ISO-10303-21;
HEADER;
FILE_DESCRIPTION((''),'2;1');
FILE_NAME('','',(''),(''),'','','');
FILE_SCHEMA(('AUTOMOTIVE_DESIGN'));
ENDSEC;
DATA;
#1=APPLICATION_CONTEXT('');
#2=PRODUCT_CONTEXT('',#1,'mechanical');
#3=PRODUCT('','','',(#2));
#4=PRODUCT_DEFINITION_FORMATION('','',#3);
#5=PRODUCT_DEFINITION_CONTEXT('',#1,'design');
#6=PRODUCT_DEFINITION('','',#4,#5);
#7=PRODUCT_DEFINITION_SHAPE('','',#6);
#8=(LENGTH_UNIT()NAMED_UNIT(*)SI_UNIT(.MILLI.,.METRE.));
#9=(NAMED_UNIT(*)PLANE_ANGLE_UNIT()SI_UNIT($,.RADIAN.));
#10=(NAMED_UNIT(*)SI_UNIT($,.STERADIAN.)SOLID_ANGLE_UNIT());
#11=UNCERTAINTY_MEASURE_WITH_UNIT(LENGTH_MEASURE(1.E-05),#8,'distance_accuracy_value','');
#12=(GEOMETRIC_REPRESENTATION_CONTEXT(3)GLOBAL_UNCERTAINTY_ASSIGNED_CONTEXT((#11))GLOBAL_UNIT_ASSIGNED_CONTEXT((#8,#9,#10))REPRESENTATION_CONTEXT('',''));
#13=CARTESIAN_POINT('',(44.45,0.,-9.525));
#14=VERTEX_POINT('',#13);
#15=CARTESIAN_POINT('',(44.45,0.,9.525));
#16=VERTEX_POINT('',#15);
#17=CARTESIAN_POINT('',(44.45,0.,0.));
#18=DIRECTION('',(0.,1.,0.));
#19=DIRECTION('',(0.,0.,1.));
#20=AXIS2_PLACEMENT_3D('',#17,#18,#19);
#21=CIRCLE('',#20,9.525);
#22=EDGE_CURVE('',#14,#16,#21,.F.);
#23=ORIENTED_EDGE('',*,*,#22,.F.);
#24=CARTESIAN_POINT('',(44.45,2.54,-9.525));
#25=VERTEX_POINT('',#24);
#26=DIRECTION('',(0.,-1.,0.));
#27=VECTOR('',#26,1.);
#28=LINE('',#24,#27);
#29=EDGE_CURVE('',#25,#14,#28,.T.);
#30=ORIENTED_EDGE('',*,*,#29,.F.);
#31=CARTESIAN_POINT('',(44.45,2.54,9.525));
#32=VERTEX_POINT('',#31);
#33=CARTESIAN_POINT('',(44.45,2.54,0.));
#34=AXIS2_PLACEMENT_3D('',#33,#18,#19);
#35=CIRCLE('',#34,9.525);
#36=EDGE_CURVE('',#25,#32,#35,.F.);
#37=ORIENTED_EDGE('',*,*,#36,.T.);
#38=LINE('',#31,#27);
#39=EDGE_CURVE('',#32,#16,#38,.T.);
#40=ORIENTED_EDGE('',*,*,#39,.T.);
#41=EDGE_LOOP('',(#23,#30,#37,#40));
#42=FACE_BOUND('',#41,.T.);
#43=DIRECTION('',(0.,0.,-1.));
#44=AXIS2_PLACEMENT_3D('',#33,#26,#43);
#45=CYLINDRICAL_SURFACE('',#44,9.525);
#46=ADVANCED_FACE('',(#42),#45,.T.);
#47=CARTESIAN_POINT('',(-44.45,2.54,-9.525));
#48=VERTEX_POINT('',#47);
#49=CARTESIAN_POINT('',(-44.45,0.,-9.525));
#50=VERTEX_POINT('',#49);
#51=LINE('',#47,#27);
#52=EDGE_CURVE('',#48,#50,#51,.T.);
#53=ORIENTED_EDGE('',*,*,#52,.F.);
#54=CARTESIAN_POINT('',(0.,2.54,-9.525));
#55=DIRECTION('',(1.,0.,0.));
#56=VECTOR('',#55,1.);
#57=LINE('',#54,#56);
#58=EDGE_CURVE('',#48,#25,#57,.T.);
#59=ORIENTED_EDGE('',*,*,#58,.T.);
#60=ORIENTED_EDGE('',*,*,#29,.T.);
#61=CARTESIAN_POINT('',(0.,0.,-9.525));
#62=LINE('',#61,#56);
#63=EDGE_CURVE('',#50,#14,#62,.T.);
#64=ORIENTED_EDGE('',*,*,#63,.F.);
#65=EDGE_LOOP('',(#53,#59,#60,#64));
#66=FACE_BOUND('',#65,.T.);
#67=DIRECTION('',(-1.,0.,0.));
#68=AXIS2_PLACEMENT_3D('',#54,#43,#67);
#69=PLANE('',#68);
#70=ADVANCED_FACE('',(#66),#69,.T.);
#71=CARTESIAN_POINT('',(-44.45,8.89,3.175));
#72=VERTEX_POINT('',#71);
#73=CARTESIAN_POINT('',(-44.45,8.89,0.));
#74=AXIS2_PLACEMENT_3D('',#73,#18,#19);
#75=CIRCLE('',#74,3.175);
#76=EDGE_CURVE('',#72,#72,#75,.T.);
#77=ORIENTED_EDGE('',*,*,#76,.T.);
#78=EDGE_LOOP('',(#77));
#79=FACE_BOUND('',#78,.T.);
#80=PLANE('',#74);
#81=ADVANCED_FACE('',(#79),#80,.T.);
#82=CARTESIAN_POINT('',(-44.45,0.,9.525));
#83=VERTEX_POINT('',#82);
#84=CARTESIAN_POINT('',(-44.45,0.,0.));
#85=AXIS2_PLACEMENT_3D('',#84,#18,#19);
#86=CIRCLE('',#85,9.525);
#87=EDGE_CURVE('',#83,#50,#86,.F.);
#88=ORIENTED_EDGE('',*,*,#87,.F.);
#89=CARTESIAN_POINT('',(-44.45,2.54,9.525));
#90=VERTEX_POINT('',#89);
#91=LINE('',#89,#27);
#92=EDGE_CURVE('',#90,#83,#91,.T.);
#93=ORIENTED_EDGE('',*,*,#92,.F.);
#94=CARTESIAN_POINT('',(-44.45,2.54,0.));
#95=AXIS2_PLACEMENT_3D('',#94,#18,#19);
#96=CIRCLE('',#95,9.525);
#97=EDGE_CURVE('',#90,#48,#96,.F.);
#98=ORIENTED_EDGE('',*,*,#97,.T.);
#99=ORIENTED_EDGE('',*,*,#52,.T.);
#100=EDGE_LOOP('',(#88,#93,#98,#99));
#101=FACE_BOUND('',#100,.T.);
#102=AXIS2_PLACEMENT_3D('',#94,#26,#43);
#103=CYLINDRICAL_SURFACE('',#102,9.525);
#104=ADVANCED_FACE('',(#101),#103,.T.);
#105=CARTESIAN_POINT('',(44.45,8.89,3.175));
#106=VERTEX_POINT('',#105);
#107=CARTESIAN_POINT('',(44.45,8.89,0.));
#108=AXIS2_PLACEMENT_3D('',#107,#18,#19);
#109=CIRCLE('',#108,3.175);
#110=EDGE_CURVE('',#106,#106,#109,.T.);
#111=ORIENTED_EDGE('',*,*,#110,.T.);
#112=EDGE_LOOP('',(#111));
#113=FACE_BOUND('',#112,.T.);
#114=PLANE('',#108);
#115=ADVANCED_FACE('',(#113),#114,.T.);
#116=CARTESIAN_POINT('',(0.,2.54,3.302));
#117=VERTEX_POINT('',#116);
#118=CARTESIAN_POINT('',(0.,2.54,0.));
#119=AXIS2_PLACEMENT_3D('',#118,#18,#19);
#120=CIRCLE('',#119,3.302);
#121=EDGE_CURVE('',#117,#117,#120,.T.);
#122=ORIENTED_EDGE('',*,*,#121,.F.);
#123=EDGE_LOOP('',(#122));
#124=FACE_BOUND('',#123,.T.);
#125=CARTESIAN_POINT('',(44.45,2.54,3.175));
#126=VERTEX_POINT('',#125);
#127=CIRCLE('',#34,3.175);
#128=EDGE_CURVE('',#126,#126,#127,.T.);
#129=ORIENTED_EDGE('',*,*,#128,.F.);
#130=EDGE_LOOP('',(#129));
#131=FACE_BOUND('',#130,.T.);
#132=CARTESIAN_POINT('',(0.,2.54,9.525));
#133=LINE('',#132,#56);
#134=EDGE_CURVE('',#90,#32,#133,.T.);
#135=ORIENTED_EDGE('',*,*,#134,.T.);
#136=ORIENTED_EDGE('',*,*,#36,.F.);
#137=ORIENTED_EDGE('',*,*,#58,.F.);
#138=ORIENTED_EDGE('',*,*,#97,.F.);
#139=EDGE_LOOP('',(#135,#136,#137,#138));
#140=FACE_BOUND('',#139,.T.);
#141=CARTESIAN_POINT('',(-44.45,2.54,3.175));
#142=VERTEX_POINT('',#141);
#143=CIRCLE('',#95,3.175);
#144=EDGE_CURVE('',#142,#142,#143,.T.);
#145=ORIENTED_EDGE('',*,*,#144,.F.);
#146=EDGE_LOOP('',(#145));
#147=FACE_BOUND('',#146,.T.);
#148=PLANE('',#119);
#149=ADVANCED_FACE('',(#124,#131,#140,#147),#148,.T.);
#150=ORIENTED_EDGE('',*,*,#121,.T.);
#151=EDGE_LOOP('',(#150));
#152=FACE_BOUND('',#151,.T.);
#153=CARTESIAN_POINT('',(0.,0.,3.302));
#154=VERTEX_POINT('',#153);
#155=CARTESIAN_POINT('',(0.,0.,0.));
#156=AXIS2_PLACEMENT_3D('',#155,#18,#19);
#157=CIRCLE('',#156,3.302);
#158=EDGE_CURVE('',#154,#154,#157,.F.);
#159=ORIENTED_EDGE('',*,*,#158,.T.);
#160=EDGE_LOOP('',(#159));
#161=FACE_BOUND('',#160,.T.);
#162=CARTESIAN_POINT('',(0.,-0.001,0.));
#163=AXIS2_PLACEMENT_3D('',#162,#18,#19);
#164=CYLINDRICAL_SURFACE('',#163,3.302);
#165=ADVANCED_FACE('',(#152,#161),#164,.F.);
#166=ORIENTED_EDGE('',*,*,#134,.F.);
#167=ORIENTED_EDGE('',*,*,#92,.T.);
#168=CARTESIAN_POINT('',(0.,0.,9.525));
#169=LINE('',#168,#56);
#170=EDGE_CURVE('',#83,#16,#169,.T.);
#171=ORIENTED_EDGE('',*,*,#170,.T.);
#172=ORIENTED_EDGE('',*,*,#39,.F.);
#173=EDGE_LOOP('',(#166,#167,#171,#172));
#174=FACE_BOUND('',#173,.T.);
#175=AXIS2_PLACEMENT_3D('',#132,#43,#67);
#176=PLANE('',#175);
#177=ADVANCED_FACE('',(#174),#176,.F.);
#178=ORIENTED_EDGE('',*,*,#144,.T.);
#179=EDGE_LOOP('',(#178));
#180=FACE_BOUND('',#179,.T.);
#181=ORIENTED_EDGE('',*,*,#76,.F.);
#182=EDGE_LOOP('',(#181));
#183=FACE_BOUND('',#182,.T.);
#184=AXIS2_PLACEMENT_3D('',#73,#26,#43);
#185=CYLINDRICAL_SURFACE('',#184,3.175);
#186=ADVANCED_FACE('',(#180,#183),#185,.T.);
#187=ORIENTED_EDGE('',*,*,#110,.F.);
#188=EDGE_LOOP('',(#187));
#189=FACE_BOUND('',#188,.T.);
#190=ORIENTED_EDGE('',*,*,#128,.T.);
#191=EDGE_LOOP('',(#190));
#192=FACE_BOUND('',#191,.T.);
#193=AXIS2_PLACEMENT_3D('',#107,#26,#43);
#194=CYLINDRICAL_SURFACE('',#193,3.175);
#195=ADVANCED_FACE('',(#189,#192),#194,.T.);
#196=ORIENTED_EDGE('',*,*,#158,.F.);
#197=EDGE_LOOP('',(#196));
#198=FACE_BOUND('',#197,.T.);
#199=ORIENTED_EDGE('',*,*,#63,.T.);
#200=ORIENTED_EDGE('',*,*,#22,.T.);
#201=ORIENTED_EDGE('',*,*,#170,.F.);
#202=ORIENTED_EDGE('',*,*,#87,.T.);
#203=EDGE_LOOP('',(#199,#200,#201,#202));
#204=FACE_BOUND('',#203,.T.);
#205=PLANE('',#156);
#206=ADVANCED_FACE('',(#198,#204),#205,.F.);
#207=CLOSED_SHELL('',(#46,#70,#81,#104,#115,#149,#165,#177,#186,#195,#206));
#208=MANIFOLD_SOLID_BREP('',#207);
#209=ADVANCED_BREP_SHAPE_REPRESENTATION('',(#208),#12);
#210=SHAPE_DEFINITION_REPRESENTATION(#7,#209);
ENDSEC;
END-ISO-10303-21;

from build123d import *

# Parameters (mm, degrees)
SKETCH1_W           = 88.9
SKETCH1_H           = 19.05
BOSS_EXTRUDE1_DEPTH = 2.54
SKETCH2_R           = 3.175
BOSS_EXTRUDE2_DEPTH = 6.35
CUT_EXTRUDE1_REACH  = 57.176
SKETCH3_R           = 3.302


with BuildPart() as part:
    # Sketch1 → Boss-Extrude1 (new body)
    with BuildSketch(Plane(origin=(0, 0, 0), x_dir=(1, 0, 0), z_dir=(0, 1, 0))):
        with BuildLine():
            ThreePointArc((-44.45, -9.525), (-53.975, 0), (-44.45, 9.525))
            Line((-44.45, 9.525), (-44.45, -9.525))
        make_face()
        Rectangle(SKETCH1_W, SKETCH1_H)
        with BuildLine():
            ThreePointArc((44.45, 9.525), (53.975, 0), (44.45, -9.525))
            Line((44.45, -9.525), (44.45, 9.525))
        make_face()
    extrude(amount=BOSS_EXTRUDE1_DEPTH)

    # Sketch2 → Boss-Extrude2 (add)
    with BuildSketch(Plane(origin=(0, 2.54, 0), x_dir=(1, 0, 0), z_dir=(0, 1, 0))):
        with Locations(Location((-44.45, 0, 0), (0, 0, 270))):
            Circle(SKETCH2_R)
        with Locations(Location((44.45, 0, 0), (0, 0, 270))):
            Circle(SKETCH2_R)
    extrude(amount=BOSS_EXTRUDE2_DEPTH)

    # Sketch3 → Cut-Extrude1 (cut, up to next)
    with BuildSketch(Plane(origin=(0, 2.54, 0), x_dir=(1, 0, 0), z_dir=(0, 1, 0)), mode=Mode.PRIVATE) as cut_extrude1_sk1:
        with Locations(Location((0, 0, 0), (0, 0, 270))):
            Circle(SKETCH3_R)
    cut_extrude1_tool1 = extrude(cut_extrude1_sk1.sketch, amount=-CUT_EXTRUDE1_REACH, mode=Mode.PRIVATE) & part.part
    add(cut_extrude1_tool1.solids().sort_by_distance((0, 2.54, 0))[0], mode=Mode.SUBTRACT)


solid = part.part
